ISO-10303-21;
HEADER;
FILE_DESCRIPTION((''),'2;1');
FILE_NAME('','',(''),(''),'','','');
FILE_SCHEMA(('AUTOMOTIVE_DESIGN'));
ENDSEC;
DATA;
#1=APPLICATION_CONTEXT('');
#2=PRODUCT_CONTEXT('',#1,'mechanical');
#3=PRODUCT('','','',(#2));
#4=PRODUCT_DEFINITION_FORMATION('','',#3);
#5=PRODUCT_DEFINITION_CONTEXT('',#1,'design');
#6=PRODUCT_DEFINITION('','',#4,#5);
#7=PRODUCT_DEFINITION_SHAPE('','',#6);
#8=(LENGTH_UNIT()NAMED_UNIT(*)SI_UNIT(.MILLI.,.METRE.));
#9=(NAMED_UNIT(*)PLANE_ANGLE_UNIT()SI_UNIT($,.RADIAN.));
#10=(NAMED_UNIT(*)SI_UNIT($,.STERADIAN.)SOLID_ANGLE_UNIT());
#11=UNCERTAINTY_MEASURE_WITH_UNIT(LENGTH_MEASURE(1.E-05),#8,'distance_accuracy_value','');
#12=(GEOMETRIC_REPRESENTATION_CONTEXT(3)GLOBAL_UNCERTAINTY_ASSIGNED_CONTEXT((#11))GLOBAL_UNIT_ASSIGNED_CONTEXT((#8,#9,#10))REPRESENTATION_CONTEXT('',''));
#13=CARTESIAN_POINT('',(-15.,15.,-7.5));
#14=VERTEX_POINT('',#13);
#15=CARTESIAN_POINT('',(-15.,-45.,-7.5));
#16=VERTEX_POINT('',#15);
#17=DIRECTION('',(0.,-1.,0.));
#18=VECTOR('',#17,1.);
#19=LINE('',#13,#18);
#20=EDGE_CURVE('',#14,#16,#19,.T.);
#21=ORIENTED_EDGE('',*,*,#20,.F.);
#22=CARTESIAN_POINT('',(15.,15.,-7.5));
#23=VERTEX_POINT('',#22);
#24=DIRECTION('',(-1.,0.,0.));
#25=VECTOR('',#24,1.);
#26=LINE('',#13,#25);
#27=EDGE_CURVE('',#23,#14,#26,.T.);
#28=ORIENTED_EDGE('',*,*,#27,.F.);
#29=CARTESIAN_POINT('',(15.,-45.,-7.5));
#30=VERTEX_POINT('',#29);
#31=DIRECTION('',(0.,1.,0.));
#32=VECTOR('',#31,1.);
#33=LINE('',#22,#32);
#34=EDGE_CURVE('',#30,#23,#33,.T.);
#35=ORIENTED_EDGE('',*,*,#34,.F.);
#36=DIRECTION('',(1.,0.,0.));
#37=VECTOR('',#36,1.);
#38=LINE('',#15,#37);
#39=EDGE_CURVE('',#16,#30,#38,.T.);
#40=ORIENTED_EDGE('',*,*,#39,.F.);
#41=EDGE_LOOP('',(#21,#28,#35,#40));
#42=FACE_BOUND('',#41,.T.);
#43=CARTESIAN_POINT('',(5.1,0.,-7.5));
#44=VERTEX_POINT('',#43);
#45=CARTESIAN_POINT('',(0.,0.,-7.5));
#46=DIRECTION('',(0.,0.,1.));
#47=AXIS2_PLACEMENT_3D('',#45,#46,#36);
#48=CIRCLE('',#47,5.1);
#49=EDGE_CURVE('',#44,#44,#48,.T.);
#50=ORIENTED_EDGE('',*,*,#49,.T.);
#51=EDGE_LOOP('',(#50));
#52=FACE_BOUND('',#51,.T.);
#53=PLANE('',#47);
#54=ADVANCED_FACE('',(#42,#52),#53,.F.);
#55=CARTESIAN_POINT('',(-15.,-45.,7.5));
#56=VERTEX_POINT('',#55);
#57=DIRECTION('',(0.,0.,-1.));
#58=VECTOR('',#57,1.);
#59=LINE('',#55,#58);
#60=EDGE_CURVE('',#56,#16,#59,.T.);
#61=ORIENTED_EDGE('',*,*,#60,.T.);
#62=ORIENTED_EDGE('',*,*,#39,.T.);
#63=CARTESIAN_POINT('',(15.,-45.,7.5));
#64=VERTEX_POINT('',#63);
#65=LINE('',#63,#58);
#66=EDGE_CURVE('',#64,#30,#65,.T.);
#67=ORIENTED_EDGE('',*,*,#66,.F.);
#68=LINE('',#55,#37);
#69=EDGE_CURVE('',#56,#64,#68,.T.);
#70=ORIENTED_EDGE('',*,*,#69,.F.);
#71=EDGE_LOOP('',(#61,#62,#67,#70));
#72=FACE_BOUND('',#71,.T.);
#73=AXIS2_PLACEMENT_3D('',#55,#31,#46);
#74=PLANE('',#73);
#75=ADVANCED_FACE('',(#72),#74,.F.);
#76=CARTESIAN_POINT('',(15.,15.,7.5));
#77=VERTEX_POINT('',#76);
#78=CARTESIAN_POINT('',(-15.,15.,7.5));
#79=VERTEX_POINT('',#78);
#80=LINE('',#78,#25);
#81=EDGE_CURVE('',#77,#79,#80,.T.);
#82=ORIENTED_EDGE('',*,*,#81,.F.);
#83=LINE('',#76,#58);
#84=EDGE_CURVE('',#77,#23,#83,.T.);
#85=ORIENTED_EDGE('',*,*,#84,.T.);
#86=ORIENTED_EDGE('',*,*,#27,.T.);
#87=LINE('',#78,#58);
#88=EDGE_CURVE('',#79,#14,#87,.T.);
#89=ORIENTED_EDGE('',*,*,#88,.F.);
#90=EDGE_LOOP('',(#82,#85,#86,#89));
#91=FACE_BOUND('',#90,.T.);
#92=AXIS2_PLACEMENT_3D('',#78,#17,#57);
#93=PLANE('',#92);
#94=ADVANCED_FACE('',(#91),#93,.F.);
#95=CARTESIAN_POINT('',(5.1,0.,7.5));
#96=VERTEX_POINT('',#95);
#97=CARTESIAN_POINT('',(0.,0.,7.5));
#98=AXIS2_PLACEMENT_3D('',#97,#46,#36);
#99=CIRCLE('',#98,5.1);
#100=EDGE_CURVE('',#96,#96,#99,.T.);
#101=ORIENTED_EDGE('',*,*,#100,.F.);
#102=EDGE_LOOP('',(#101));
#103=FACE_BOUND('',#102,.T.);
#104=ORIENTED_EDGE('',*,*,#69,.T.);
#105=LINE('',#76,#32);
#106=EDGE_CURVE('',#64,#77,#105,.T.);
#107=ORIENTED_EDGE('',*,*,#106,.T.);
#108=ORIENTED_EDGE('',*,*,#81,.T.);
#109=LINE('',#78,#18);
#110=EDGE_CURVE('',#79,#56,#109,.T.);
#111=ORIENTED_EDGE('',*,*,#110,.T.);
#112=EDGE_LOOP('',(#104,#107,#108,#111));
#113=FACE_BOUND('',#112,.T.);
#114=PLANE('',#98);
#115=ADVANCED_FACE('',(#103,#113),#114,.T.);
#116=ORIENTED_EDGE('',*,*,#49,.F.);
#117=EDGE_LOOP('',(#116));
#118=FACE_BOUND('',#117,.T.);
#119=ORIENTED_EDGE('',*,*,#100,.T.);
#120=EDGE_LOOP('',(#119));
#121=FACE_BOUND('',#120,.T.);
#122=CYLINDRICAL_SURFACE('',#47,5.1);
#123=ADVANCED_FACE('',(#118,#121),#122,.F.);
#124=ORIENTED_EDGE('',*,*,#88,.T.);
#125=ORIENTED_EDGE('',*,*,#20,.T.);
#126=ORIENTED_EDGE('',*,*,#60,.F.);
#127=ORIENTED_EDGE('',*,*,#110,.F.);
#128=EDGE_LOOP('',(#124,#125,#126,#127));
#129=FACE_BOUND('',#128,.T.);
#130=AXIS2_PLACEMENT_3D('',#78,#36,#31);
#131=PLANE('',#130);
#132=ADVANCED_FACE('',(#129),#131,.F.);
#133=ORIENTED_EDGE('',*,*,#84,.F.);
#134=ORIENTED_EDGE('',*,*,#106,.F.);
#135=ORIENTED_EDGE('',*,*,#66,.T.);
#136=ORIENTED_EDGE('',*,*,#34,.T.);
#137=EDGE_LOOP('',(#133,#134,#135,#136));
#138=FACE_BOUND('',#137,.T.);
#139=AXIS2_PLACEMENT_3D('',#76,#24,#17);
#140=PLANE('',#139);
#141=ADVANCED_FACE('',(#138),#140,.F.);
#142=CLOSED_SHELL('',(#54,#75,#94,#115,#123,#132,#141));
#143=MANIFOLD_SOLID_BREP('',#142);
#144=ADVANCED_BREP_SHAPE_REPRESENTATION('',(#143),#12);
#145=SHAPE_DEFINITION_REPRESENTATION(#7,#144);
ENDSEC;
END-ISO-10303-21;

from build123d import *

# Parameters (mm, degrees)
SKETCH1_W               = 30
SKETCH1_H               = 60
BOSS_EXTRUDE1_DEPTH     = 7.5
CUT_EXTRUDE1_DEPTH      = 49.023431781
CUT_EXTRUDE1_DEPTH_BACK = 49.023431781
SKETCH2_R               = 5.1


with BuildPart() as part:
    # Sketch1 → Boss-Extrude1 (new, symmetric)
    with BuildSketch(Plane.XY):
        with Locations((0, -15)):
            Rectangle(SKETCH1_W, SKETCH1_H)
    extrude(amount=BOSS_EXTRUDE1_DEPTH, both=True)

    # Sketch2 → Cut-Extrude1 (cut, two sides: drawn at the far end of the back side and taken through both)
    with BuildSketch(Plane.XY.offset(-CUT_EXTRUDE1_DEPTH_BACK)):
        Circle(SKETCH2_R)
    extrude(amount=CUT_EXTRUDE1_DEPTH + CUT_EXTRUDE1_DEPTH_BACK, mode=Mode.SUBTRACT)


solid = part.part
